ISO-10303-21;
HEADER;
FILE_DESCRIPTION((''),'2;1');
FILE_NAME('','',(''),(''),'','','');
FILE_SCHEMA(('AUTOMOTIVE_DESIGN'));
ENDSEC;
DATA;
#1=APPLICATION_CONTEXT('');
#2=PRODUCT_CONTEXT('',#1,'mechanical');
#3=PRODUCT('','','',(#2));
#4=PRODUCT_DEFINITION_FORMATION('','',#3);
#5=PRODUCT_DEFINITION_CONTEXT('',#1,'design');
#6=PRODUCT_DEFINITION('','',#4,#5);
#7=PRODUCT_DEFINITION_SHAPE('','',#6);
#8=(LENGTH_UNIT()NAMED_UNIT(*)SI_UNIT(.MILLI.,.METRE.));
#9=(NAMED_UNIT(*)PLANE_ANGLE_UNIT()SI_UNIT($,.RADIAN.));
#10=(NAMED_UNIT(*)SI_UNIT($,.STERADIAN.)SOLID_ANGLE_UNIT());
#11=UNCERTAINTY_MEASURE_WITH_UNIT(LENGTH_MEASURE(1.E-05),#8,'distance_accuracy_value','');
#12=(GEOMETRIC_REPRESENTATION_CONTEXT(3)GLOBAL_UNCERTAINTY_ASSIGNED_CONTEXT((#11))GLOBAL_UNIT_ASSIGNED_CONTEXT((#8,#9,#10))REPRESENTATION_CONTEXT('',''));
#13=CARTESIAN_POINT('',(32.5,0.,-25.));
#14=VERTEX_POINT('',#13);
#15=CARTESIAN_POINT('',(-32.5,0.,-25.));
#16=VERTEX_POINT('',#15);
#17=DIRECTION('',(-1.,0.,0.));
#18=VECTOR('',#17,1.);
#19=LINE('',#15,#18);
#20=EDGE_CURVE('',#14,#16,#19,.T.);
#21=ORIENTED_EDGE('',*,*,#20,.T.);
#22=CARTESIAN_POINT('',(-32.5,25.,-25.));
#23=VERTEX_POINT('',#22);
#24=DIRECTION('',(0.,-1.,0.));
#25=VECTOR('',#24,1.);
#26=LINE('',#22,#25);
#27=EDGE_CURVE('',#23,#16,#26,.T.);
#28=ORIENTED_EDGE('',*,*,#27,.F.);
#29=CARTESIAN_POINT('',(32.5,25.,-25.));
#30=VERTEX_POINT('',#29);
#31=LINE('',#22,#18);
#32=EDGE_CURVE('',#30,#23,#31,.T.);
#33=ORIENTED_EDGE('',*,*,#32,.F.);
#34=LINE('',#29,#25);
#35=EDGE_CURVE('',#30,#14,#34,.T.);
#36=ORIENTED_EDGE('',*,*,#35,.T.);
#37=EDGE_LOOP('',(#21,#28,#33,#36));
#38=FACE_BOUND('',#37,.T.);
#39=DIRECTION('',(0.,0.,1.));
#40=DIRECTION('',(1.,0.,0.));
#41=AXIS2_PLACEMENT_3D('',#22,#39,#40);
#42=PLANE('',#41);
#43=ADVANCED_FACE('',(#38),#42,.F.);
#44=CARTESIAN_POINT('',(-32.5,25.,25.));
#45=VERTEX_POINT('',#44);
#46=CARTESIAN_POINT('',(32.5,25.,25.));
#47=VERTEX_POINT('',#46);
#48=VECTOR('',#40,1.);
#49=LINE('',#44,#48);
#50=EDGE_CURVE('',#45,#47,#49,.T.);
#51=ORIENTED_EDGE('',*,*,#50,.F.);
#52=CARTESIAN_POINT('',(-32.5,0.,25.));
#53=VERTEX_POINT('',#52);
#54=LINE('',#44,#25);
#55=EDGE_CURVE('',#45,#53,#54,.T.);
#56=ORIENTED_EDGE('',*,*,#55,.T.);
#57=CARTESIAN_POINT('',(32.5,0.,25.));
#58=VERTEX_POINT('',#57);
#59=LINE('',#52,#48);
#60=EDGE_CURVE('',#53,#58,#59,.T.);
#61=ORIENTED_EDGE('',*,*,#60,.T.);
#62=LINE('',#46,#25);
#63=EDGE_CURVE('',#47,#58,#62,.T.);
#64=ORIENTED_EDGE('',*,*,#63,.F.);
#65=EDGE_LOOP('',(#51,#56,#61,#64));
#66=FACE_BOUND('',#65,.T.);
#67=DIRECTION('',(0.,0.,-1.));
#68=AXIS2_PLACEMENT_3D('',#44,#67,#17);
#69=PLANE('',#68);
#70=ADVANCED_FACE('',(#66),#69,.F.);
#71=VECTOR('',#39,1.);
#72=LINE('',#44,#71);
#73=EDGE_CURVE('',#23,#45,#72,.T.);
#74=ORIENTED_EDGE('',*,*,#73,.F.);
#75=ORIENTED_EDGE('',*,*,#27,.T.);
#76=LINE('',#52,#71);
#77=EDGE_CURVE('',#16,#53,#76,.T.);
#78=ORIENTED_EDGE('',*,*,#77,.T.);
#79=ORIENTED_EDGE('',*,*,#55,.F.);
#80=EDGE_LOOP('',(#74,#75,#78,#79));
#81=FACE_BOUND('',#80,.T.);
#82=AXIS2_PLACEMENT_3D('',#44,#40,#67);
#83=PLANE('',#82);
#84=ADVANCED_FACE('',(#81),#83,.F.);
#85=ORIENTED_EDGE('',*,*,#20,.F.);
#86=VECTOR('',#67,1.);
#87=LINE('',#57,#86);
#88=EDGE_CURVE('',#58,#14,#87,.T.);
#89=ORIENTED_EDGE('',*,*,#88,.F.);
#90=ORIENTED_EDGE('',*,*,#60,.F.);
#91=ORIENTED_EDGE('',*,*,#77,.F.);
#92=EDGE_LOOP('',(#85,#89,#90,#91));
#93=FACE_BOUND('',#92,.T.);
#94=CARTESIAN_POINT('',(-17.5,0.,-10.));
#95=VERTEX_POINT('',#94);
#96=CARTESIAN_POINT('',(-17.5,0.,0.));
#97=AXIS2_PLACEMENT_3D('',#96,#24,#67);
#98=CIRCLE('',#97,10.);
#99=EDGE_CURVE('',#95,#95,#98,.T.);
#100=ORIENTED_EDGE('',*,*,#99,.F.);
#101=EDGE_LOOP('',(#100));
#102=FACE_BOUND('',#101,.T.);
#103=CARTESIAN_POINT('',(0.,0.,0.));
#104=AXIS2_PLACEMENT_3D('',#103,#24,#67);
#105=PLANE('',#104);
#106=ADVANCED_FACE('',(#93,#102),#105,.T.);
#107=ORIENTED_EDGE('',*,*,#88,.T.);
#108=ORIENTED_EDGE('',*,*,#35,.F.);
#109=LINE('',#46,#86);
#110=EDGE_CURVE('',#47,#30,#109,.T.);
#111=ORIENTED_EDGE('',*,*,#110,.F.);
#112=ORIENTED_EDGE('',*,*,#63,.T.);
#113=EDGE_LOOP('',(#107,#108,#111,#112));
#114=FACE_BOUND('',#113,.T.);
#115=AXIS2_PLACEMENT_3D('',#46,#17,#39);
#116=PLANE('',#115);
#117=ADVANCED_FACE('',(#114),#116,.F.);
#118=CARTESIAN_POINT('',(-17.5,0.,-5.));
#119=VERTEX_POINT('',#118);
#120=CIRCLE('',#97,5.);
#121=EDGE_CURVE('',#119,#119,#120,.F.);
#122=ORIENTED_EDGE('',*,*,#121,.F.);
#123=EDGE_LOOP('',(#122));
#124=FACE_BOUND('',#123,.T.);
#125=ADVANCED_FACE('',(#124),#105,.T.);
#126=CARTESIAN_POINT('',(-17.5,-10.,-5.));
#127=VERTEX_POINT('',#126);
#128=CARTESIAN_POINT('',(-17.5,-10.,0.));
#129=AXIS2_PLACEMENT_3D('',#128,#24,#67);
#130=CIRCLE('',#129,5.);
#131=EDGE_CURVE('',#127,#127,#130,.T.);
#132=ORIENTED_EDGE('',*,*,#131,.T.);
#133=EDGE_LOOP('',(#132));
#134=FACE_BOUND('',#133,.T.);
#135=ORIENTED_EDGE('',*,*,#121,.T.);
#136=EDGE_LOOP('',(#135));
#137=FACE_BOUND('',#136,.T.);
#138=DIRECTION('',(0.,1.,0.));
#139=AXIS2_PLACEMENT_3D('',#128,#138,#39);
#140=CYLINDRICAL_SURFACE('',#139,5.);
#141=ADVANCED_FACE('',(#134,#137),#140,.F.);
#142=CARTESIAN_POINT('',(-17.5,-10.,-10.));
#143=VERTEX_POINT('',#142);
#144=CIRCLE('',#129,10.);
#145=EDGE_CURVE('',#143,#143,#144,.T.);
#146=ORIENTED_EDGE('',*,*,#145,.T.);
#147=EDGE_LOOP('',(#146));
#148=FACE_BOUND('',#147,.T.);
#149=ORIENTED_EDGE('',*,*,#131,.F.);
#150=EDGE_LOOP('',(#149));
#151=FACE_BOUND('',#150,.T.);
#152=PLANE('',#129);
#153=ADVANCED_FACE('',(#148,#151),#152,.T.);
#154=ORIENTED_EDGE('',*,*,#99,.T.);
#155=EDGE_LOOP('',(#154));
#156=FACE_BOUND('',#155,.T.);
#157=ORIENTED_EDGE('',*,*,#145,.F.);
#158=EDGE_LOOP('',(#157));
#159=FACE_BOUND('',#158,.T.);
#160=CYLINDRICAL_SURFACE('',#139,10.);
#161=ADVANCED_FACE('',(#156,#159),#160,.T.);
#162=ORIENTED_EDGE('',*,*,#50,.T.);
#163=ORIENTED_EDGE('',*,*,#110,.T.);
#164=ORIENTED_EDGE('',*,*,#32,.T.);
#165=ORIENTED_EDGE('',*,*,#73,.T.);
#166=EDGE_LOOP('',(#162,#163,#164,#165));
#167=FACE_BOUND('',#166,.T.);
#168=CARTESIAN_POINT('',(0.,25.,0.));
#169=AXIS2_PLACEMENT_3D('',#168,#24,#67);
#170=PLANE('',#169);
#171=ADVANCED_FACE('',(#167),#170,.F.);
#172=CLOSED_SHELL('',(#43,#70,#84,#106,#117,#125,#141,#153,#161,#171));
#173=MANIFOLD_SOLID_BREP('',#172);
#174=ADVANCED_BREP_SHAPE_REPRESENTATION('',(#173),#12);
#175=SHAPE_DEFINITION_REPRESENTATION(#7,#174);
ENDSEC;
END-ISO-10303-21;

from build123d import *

# Parameters (mm, degrees)
SKETCH1_W           = 65
SKETCH1_H           = 50
BOSS_EXTRUDE1_DEPTH = 25
SKETCH2_R           = 10
SKETCH2_R_2         = 5
BOSS_EXTRUDE2_DEPTH = 10


with BuildPart() as part:
    # Sketch1 → Boss-Extrude1 (new body)
    with BuildSketch(Plane(origin=(0, 0, 0), x_dir=(1, 0, 0), z_dir=(0, 1, 0))):
        Rectangle(SKETCH1_W, SKETCH1_H)
    extrude(amount=BOSS_EXTRUDE1_DEPTH)

    # Sketch2 → Boss-Extrude2 (add)
    with BuildSketch(Plane.XZ):
        with Locations(Location((-17.5, 0, 0), (0, 0, 270))):
            Circle(SKETCH2_R)
        with Locations(Location((-17.5, 0, 0), (0, 0, 270))):
            Circle(SKETCH2_R_2, mode=Mode.SUBTRACT)
    extrude(amount=BOSS_EXTRUDE2_DEPTH)


solid = part.part
